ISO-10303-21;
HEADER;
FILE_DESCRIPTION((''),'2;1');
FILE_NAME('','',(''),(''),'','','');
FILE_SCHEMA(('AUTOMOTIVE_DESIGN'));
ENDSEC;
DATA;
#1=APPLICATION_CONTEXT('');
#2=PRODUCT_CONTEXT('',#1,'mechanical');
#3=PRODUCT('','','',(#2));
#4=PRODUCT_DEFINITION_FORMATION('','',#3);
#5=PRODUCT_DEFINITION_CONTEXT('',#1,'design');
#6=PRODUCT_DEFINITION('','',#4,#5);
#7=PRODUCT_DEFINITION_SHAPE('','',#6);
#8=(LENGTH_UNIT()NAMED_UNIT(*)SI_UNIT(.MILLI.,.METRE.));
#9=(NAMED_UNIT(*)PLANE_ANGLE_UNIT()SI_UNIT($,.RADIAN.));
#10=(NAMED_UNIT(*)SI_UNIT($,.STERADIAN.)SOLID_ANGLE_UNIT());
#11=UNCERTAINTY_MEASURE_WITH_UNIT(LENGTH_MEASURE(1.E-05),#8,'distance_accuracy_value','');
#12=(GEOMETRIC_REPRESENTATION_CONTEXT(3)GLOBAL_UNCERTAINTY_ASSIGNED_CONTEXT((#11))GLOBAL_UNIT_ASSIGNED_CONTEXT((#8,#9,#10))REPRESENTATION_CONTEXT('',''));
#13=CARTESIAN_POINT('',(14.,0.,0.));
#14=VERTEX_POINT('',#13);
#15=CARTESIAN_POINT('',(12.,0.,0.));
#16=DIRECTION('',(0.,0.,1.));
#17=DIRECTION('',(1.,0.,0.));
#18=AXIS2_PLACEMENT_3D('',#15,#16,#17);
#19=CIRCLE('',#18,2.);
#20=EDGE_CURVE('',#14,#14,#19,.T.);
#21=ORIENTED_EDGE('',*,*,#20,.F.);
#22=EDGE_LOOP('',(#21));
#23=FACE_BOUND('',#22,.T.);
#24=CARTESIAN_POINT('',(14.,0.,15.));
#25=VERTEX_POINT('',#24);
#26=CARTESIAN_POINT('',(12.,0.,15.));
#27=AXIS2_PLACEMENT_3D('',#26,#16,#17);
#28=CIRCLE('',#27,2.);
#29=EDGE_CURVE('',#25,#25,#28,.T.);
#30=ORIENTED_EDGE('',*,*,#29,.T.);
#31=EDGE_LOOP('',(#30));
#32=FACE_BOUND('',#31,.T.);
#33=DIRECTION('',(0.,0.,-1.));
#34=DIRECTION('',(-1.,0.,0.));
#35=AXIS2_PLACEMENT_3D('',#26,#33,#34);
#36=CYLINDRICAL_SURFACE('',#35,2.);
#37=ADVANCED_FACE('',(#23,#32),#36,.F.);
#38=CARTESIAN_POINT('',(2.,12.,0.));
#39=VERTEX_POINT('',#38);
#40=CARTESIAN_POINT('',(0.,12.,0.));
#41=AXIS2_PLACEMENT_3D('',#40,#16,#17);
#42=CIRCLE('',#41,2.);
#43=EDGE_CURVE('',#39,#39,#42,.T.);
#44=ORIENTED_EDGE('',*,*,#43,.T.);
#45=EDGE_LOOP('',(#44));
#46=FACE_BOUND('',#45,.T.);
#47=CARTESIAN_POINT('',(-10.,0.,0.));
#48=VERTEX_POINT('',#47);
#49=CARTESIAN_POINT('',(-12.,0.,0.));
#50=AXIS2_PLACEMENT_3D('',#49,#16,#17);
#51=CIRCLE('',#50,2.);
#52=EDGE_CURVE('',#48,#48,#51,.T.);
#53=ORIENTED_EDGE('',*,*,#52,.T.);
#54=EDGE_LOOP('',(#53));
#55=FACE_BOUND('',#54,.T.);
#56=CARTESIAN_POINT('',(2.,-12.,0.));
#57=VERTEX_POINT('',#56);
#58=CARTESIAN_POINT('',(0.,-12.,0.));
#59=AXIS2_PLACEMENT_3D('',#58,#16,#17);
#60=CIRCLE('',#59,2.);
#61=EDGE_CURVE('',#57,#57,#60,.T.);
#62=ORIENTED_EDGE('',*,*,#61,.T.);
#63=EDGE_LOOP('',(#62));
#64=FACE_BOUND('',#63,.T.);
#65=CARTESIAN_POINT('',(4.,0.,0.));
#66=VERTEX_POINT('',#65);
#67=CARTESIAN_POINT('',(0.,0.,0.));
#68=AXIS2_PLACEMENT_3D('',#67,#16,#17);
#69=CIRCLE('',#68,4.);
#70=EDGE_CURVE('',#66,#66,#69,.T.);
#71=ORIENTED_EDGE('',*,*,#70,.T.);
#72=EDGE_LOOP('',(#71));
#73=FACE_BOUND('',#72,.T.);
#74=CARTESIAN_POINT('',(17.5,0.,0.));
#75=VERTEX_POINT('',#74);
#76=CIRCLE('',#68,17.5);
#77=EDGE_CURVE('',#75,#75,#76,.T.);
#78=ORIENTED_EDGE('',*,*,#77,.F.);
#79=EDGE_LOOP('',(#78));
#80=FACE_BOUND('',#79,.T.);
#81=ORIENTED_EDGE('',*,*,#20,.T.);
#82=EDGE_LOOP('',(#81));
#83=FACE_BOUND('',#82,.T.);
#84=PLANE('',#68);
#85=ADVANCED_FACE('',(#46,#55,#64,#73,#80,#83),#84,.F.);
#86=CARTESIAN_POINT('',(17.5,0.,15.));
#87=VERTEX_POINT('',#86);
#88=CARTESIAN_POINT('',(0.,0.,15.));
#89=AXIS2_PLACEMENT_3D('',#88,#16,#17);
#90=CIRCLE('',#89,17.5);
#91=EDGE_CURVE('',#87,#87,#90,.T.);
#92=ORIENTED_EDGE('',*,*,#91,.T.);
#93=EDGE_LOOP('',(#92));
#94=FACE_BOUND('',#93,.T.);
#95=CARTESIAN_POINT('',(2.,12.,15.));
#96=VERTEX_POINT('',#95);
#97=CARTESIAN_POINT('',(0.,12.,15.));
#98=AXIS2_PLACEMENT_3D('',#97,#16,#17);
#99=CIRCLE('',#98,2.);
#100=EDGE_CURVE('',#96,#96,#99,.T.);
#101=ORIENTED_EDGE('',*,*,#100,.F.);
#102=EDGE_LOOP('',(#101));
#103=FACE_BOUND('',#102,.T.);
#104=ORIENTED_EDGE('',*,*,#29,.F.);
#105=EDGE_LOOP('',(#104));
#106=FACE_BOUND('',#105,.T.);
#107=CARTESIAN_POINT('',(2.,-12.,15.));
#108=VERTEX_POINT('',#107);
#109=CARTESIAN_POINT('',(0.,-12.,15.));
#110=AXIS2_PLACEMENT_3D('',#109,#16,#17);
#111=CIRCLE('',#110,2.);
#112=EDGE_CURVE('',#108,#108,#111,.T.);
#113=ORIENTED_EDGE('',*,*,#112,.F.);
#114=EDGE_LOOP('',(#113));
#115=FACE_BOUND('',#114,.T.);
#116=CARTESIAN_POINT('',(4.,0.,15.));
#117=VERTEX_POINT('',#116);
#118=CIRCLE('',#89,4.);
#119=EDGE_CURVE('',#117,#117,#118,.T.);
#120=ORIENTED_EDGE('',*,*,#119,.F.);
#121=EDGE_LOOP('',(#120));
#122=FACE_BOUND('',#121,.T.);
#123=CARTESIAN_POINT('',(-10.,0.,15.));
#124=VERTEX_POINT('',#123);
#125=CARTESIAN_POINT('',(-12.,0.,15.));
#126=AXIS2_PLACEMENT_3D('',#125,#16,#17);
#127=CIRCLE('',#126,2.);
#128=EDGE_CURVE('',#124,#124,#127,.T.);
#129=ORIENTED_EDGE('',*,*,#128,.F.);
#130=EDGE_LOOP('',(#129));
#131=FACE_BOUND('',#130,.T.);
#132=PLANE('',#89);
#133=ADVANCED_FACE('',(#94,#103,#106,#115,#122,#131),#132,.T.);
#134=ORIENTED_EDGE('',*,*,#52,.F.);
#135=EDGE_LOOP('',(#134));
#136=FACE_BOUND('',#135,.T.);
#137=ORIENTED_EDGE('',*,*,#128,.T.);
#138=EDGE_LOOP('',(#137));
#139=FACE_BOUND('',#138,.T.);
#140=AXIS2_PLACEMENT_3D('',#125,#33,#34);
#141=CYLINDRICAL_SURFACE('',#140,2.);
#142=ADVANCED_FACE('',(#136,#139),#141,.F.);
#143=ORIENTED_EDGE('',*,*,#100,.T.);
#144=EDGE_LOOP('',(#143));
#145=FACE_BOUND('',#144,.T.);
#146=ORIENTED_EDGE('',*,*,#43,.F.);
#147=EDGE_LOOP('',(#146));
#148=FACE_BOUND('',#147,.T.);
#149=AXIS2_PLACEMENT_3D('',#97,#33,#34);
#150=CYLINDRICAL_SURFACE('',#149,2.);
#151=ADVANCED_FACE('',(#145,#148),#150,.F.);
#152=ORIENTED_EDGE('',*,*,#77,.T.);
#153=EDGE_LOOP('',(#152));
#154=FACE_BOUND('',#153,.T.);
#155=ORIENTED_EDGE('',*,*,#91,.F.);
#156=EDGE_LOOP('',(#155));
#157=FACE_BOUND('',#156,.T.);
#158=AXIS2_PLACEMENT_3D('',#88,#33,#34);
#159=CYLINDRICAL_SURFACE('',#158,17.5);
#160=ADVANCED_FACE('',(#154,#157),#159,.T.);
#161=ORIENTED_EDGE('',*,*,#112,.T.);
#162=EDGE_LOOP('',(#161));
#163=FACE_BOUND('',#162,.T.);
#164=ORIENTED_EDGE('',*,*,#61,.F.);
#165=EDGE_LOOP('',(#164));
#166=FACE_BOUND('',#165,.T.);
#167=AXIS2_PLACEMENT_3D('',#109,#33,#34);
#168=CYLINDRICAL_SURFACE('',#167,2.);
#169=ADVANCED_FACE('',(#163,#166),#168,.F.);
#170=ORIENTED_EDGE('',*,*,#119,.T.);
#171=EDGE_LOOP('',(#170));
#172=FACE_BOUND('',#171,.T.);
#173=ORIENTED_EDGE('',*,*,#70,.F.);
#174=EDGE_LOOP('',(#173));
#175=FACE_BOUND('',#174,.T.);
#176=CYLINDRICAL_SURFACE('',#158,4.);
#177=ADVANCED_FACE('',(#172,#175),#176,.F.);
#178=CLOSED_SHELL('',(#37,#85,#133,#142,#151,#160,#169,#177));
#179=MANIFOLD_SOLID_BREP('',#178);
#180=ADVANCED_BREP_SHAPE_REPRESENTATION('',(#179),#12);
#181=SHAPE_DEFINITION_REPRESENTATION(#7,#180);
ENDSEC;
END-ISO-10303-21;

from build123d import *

# Parameters (mm, degrees)
SKETCH1_R           = 17.5
SKETCH1_R_2         = 4
SKETCH1_R_3         = 2
BOSS_EXTRUDE1_DEPTH = 15


with BuildPart() as part:
    # Sketch1 → Boss-Extrude1 (new body)
    with BuildSketch(Plane.XY):
        Circle(SKETCH1_R)
        Circle(SKETCH1_R_2, mode=Mode.SUBTRACT)
        with Locations((12, 0)):
            Circle(SKETCH1_R_3, mode=Mode.SUBTRACT)
        with Locations((0, -12)):
            Circle(SKETCH1_R_3, mode=Mode.SUBTRACT)
        with Locations((-12, 0)):
            Circle(SKETCH1_R_3, mode=Mode.SUBTRACT)
        with Locations((0, 12)):
            Circle(SKETCH1_R_3, mode=Mode.SUBTRACT)
    extrude(amount=BOSS_EXTRUDE1_DEPTH)


solid = part.part
